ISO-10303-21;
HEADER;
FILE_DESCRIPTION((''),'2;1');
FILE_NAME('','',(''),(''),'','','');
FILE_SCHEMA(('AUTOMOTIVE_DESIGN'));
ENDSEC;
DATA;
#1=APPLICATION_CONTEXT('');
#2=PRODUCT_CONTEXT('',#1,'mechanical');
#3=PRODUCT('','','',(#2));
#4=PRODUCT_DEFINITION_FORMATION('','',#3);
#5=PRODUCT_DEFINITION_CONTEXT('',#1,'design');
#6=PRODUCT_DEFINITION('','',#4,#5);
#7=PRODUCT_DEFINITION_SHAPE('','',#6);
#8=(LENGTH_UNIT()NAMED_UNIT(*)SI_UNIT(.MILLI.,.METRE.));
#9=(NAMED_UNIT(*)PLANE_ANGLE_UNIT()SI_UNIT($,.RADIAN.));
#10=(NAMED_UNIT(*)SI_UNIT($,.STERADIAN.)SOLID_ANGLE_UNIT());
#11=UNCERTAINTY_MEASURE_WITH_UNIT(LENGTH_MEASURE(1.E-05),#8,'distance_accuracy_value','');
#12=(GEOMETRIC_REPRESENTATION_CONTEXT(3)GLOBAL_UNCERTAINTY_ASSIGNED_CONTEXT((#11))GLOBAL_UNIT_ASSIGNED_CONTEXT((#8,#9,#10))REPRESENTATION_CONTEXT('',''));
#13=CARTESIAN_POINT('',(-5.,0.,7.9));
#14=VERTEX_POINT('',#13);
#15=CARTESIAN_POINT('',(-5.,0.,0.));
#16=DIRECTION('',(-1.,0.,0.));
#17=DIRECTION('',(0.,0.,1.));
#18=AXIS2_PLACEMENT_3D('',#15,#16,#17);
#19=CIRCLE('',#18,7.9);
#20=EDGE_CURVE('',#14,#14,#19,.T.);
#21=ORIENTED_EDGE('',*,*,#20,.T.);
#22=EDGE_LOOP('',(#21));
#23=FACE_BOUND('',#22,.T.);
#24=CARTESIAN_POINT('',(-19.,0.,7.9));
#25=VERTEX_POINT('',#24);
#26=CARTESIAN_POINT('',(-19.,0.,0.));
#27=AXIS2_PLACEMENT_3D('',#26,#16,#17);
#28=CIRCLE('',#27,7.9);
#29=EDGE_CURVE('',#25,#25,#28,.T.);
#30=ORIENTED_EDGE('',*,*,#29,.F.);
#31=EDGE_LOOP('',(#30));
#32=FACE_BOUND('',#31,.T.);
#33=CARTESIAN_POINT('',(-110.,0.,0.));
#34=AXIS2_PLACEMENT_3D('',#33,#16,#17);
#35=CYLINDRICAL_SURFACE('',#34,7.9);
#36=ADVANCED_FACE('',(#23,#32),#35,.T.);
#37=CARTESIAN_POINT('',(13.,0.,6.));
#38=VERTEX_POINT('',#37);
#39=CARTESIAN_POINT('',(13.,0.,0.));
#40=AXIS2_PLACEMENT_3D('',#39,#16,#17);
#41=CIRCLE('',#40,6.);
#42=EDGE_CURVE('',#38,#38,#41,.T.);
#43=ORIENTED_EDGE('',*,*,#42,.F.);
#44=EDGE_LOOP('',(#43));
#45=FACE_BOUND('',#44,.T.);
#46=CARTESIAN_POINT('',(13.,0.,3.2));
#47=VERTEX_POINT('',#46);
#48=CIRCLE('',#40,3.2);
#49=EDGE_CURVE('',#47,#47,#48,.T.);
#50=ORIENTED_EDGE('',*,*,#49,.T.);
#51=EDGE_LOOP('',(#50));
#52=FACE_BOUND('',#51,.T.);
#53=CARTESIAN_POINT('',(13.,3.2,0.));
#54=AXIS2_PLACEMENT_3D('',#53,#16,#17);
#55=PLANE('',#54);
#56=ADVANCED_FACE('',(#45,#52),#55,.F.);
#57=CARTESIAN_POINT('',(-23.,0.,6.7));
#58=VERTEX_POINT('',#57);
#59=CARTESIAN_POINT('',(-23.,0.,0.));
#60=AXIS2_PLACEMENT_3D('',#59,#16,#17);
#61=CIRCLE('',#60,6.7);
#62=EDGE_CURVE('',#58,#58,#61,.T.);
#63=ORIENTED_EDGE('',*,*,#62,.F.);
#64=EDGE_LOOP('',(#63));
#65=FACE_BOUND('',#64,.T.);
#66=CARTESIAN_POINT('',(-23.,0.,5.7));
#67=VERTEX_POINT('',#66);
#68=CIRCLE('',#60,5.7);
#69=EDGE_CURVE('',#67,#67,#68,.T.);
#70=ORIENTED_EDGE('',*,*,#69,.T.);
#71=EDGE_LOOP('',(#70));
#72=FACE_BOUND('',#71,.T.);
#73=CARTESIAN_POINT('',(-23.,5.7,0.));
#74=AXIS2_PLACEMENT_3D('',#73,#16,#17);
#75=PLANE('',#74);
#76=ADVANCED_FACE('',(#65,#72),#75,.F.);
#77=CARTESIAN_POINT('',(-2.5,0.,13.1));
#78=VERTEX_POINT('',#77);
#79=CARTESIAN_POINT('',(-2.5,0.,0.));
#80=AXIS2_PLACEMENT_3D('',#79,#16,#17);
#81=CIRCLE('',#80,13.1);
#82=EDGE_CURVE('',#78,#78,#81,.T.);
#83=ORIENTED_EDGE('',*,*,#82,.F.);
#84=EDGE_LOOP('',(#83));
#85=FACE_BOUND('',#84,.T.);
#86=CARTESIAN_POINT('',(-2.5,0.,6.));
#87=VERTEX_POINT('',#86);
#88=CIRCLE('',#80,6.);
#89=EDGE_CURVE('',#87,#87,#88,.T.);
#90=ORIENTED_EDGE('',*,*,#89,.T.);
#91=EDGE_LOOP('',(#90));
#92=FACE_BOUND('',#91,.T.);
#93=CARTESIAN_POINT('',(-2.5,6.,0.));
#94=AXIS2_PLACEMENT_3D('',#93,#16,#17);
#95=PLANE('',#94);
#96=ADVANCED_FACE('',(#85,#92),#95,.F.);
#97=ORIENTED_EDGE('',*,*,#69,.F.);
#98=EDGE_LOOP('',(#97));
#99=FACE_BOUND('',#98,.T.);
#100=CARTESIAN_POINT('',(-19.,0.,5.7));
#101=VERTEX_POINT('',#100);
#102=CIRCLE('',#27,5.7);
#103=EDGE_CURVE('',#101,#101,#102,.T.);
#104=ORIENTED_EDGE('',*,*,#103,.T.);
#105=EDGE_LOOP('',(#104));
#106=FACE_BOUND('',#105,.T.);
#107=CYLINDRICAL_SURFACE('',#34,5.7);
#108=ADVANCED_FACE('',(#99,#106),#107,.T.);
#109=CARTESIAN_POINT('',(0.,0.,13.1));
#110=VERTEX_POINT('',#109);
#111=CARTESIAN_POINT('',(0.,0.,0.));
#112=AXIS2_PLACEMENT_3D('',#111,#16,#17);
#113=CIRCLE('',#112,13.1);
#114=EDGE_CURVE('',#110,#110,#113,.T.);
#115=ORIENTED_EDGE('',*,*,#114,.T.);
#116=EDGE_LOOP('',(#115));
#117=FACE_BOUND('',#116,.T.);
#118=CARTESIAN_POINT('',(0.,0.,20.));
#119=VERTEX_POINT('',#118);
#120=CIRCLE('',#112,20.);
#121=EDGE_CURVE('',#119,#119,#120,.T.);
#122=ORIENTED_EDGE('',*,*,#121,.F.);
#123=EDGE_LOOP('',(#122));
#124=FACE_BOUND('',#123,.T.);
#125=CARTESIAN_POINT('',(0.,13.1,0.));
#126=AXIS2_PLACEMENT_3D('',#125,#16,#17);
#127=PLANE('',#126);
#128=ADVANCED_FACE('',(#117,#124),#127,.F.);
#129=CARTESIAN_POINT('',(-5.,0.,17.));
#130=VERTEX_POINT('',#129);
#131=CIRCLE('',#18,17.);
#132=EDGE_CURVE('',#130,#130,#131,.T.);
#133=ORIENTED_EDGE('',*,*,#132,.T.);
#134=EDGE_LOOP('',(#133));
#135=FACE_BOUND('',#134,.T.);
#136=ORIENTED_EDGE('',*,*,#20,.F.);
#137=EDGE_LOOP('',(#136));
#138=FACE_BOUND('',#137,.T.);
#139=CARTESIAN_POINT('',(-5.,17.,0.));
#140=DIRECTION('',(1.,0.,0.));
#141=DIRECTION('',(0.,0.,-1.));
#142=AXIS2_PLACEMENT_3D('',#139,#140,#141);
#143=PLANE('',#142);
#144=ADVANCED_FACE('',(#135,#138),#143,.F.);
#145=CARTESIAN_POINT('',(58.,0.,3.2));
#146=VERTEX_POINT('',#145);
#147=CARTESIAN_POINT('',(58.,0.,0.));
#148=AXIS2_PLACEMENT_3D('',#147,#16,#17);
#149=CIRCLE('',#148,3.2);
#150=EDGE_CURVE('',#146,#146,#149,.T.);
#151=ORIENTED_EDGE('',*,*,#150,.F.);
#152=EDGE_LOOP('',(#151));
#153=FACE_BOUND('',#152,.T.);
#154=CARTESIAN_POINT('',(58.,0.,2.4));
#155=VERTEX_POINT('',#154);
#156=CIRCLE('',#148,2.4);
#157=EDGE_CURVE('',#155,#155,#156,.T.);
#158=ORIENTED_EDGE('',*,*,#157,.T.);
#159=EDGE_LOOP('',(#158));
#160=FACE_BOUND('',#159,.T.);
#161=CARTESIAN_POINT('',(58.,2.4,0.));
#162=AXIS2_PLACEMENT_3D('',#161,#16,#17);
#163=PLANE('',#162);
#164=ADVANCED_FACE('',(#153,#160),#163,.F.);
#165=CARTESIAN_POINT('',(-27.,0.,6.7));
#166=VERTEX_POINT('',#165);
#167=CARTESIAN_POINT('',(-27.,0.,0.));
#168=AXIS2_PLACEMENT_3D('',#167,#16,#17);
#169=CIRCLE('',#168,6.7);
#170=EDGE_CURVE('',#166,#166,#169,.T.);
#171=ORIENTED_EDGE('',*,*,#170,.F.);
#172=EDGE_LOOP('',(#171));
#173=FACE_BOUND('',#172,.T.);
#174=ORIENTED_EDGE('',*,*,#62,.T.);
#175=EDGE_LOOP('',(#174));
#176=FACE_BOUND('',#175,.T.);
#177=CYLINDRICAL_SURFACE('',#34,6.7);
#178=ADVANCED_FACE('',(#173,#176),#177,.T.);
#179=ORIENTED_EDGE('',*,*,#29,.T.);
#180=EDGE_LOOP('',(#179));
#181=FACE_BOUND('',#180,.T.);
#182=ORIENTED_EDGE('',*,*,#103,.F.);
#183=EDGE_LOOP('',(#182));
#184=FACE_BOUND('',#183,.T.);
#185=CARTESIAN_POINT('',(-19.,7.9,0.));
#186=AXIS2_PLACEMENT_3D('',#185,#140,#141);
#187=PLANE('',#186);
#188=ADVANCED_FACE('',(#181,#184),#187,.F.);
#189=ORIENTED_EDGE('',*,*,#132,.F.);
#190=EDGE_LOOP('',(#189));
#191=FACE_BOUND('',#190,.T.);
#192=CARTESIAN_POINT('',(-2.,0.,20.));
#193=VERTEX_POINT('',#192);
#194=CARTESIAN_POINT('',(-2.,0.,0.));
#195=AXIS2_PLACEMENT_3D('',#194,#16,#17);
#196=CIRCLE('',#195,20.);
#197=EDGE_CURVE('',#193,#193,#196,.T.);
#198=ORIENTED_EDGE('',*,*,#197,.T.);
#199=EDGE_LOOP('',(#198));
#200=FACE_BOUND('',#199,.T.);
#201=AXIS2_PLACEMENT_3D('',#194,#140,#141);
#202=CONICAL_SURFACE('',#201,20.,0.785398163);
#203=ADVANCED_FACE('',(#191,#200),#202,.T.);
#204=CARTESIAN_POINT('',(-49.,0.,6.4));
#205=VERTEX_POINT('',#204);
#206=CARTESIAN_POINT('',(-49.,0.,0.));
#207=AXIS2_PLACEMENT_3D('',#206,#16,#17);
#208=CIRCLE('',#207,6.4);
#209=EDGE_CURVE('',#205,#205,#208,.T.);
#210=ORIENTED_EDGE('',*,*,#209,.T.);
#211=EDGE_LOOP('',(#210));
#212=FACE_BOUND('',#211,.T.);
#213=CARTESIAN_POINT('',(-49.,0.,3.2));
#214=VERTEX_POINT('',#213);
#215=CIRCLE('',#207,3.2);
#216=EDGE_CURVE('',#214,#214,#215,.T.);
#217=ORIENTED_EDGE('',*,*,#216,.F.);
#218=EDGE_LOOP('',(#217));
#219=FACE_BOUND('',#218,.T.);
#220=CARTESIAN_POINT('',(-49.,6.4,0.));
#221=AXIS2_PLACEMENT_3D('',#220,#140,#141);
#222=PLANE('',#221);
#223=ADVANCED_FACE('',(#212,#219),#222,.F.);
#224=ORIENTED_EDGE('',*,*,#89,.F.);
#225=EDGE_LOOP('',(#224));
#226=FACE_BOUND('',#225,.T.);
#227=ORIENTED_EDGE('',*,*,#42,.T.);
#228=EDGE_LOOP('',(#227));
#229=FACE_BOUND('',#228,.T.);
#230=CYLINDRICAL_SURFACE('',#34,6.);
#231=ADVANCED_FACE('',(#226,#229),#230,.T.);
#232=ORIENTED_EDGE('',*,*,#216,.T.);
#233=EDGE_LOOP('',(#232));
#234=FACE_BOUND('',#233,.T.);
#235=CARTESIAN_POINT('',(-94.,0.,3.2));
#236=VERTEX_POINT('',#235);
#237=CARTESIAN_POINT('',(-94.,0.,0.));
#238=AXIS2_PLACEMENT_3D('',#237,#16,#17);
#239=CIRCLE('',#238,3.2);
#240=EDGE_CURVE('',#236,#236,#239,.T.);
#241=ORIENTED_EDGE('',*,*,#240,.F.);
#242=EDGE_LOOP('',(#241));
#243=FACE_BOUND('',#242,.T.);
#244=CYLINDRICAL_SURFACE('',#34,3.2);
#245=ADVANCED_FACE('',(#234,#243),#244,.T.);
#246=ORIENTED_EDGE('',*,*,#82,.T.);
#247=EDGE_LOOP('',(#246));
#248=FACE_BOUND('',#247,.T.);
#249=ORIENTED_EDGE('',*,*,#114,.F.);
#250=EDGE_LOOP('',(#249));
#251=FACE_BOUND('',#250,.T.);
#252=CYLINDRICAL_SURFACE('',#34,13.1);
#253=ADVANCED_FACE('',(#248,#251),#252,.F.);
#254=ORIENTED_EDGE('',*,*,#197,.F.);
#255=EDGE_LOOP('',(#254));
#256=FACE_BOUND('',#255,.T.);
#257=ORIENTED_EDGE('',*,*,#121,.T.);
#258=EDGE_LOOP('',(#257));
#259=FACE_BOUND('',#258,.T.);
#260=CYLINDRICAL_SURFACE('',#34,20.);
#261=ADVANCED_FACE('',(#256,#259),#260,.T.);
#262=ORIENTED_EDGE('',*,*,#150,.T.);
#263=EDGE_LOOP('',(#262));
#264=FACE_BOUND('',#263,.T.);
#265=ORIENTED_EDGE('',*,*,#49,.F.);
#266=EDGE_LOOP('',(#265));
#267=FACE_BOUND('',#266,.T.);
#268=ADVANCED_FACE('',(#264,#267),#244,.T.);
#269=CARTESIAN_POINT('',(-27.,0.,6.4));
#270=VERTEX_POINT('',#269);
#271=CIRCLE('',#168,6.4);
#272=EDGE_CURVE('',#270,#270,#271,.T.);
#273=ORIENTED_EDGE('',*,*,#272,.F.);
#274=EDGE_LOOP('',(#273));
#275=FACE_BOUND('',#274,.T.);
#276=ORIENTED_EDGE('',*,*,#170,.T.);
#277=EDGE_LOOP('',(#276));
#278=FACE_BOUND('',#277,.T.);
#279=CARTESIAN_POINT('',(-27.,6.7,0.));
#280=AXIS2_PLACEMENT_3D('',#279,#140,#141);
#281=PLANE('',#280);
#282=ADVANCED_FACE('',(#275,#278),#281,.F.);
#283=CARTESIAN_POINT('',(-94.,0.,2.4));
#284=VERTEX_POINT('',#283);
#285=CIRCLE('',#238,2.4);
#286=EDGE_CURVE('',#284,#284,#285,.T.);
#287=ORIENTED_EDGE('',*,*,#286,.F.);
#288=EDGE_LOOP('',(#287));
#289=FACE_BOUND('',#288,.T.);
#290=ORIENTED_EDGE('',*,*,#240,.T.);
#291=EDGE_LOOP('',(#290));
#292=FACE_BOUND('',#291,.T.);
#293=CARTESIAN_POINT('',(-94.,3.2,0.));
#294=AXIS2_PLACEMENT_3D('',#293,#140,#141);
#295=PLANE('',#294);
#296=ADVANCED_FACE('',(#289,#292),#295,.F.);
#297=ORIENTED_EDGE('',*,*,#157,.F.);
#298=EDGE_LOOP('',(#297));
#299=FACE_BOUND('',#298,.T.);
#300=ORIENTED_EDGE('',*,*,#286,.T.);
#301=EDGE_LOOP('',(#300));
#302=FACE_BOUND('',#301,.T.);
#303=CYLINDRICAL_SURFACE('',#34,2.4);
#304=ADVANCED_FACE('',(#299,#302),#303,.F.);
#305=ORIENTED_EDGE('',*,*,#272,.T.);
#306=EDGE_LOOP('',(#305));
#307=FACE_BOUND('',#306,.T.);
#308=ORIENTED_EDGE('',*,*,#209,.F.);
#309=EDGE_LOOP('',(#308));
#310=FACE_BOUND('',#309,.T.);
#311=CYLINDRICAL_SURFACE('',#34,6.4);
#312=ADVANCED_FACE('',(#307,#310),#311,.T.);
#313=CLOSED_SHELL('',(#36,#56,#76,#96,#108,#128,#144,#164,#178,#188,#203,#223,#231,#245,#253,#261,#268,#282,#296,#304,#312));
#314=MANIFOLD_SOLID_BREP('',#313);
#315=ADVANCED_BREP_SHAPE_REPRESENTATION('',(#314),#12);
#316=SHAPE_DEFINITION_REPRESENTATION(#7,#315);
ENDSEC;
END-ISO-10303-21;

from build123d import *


with BuildPart() as part:
    # Axial profile (mm) → Full revolution (revolve)
    with BuildSketch(Plane.XY, mode=Mode.PRIVATE) as full_revolution_sk:
        Polygon((-94, 2.4), (58, 2.4), (58, 3.2), (13, 3.2), (13, 6), (-2.5, 6), (-2.5, 13.1), (0, 13.1), (0, 20), (-2, 20), (-5, 17), (-5, 7.9), (-19, 7.9), (-19, 5.7), (-23, 5.7), (-23, 6.7), (-27, 6.7), (-27, 6.4), (-49, 6.4), (-49, 3.2), (-94, 3.2), align=None)
    revolve(full_revolution_sk.sketch.rotate(Axis((-110, 0, 0), (1, 0, 0)), 90), axis=Axis((-110, 0, 0), (1, 0, 0)))


solid = part.part
